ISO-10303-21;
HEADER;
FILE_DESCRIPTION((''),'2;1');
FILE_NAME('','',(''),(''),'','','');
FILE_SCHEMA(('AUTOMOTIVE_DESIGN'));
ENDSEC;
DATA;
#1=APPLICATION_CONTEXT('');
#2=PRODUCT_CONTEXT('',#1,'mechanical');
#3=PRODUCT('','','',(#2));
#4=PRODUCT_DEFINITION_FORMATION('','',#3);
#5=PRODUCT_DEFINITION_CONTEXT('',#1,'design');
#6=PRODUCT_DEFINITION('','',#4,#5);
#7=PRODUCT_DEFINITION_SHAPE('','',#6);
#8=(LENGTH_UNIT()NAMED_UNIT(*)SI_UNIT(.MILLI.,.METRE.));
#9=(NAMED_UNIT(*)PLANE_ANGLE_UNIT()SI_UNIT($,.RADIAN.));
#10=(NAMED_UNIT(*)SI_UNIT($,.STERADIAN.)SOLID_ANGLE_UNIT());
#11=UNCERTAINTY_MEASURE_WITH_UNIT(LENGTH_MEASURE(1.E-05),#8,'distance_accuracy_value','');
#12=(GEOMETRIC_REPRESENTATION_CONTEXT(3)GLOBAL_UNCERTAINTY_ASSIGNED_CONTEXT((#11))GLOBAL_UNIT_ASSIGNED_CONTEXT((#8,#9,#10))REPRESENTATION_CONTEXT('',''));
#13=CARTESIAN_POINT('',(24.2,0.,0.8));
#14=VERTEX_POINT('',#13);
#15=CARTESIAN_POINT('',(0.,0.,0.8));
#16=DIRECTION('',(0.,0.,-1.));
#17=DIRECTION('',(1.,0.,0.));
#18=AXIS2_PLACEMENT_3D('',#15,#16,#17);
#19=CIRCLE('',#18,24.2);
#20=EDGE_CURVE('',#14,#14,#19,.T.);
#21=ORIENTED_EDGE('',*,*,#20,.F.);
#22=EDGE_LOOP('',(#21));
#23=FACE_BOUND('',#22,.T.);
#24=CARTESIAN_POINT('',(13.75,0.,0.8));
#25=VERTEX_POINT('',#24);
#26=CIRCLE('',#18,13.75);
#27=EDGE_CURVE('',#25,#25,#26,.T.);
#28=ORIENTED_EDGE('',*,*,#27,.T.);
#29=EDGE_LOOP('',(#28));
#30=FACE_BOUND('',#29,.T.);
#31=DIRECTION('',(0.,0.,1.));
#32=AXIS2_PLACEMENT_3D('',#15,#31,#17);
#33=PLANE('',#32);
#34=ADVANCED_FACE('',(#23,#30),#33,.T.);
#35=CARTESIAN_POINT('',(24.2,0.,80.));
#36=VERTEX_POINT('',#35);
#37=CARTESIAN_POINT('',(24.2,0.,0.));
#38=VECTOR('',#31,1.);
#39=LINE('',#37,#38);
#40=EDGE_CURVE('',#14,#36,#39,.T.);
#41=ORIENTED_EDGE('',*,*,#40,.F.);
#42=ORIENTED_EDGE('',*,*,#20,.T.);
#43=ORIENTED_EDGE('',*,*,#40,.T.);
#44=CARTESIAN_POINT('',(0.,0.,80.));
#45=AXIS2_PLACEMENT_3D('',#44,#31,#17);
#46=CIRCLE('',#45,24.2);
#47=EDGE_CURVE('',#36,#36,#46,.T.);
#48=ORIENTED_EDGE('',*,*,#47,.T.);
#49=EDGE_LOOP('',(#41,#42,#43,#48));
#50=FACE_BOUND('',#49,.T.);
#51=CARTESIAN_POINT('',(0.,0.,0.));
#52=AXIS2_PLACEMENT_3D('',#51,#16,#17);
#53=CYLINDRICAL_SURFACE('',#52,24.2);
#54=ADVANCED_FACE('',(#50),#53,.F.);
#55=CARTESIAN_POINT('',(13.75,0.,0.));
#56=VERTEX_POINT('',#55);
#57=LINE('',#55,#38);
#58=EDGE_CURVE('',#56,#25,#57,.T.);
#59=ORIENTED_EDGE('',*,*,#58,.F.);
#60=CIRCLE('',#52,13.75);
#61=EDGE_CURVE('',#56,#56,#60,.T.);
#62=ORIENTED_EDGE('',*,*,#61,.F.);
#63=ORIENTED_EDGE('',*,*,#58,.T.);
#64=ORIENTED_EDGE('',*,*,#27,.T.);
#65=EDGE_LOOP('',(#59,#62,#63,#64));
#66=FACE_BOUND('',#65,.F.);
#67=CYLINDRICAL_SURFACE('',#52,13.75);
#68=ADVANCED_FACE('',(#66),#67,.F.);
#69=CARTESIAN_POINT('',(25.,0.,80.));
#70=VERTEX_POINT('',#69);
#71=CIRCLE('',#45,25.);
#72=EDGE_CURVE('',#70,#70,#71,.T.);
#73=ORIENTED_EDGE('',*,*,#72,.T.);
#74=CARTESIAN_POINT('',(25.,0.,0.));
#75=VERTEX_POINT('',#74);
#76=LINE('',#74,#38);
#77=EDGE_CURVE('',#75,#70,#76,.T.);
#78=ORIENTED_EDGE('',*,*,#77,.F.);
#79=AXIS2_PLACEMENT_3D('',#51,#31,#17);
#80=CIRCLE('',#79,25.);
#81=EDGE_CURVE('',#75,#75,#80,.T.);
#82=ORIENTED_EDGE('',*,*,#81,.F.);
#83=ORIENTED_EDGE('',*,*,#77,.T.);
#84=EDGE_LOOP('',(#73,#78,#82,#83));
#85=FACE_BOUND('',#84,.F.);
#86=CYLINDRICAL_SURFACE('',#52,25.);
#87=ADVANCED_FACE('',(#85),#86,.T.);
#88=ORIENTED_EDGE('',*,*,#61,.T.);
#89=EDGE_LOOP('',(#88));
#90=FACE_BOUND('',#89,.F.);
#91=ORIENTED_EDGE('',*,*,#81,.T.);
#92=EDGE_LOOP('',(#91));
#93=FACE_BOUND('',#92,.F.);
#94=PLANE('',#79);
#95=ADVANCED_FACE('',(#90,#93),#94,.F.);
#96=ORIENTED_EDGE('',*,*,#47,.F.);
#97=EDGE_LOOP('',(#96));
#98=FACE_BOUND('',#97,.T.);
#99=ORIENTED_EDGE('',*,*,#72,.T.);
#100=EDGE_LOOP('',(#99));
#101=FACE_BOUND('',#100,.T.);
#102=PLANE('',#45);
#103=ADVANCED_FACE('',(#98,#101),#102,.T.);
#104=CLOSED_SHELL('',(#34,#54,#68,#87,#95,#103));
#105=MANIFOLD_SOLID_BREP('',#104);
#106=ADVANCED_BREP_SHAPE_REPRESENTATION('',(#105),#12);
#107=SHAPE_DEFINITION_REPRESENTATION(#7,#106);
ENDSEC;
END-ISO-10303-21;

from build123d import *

# Parameters (mm, degrees)
F0_R     = 25
F1_DEPTH = 80
F3_T     = -0.8
F2_R     = 13.75
F4_DEPTH = 25


with BuildPart() as f1:
    # F0 (on Top) → F1 (new body)
    with BuildSketch(Plane.XY):
        Circle(F0_R)
    extrude(amount=F1_DEPTH)

    # F3
    f3_openings = [f1.faces().sort_by_distance(p)[0] for p in [
        (0, 0, 80),
    ]]
    offset(amount=F3_T, openings=f3_openings)

    # F2 (on face) → F4 (cut)
    with BuildSketch(Plane(origin=(0, 0, 0), x_dir=(1, 0, 0), z_dir=(0, 0, -1))):
        Circle(F2_R)
    extrude(amount=-F4_DEPTH, mode=Mode.SUBTRACT)


solid = f1.part
